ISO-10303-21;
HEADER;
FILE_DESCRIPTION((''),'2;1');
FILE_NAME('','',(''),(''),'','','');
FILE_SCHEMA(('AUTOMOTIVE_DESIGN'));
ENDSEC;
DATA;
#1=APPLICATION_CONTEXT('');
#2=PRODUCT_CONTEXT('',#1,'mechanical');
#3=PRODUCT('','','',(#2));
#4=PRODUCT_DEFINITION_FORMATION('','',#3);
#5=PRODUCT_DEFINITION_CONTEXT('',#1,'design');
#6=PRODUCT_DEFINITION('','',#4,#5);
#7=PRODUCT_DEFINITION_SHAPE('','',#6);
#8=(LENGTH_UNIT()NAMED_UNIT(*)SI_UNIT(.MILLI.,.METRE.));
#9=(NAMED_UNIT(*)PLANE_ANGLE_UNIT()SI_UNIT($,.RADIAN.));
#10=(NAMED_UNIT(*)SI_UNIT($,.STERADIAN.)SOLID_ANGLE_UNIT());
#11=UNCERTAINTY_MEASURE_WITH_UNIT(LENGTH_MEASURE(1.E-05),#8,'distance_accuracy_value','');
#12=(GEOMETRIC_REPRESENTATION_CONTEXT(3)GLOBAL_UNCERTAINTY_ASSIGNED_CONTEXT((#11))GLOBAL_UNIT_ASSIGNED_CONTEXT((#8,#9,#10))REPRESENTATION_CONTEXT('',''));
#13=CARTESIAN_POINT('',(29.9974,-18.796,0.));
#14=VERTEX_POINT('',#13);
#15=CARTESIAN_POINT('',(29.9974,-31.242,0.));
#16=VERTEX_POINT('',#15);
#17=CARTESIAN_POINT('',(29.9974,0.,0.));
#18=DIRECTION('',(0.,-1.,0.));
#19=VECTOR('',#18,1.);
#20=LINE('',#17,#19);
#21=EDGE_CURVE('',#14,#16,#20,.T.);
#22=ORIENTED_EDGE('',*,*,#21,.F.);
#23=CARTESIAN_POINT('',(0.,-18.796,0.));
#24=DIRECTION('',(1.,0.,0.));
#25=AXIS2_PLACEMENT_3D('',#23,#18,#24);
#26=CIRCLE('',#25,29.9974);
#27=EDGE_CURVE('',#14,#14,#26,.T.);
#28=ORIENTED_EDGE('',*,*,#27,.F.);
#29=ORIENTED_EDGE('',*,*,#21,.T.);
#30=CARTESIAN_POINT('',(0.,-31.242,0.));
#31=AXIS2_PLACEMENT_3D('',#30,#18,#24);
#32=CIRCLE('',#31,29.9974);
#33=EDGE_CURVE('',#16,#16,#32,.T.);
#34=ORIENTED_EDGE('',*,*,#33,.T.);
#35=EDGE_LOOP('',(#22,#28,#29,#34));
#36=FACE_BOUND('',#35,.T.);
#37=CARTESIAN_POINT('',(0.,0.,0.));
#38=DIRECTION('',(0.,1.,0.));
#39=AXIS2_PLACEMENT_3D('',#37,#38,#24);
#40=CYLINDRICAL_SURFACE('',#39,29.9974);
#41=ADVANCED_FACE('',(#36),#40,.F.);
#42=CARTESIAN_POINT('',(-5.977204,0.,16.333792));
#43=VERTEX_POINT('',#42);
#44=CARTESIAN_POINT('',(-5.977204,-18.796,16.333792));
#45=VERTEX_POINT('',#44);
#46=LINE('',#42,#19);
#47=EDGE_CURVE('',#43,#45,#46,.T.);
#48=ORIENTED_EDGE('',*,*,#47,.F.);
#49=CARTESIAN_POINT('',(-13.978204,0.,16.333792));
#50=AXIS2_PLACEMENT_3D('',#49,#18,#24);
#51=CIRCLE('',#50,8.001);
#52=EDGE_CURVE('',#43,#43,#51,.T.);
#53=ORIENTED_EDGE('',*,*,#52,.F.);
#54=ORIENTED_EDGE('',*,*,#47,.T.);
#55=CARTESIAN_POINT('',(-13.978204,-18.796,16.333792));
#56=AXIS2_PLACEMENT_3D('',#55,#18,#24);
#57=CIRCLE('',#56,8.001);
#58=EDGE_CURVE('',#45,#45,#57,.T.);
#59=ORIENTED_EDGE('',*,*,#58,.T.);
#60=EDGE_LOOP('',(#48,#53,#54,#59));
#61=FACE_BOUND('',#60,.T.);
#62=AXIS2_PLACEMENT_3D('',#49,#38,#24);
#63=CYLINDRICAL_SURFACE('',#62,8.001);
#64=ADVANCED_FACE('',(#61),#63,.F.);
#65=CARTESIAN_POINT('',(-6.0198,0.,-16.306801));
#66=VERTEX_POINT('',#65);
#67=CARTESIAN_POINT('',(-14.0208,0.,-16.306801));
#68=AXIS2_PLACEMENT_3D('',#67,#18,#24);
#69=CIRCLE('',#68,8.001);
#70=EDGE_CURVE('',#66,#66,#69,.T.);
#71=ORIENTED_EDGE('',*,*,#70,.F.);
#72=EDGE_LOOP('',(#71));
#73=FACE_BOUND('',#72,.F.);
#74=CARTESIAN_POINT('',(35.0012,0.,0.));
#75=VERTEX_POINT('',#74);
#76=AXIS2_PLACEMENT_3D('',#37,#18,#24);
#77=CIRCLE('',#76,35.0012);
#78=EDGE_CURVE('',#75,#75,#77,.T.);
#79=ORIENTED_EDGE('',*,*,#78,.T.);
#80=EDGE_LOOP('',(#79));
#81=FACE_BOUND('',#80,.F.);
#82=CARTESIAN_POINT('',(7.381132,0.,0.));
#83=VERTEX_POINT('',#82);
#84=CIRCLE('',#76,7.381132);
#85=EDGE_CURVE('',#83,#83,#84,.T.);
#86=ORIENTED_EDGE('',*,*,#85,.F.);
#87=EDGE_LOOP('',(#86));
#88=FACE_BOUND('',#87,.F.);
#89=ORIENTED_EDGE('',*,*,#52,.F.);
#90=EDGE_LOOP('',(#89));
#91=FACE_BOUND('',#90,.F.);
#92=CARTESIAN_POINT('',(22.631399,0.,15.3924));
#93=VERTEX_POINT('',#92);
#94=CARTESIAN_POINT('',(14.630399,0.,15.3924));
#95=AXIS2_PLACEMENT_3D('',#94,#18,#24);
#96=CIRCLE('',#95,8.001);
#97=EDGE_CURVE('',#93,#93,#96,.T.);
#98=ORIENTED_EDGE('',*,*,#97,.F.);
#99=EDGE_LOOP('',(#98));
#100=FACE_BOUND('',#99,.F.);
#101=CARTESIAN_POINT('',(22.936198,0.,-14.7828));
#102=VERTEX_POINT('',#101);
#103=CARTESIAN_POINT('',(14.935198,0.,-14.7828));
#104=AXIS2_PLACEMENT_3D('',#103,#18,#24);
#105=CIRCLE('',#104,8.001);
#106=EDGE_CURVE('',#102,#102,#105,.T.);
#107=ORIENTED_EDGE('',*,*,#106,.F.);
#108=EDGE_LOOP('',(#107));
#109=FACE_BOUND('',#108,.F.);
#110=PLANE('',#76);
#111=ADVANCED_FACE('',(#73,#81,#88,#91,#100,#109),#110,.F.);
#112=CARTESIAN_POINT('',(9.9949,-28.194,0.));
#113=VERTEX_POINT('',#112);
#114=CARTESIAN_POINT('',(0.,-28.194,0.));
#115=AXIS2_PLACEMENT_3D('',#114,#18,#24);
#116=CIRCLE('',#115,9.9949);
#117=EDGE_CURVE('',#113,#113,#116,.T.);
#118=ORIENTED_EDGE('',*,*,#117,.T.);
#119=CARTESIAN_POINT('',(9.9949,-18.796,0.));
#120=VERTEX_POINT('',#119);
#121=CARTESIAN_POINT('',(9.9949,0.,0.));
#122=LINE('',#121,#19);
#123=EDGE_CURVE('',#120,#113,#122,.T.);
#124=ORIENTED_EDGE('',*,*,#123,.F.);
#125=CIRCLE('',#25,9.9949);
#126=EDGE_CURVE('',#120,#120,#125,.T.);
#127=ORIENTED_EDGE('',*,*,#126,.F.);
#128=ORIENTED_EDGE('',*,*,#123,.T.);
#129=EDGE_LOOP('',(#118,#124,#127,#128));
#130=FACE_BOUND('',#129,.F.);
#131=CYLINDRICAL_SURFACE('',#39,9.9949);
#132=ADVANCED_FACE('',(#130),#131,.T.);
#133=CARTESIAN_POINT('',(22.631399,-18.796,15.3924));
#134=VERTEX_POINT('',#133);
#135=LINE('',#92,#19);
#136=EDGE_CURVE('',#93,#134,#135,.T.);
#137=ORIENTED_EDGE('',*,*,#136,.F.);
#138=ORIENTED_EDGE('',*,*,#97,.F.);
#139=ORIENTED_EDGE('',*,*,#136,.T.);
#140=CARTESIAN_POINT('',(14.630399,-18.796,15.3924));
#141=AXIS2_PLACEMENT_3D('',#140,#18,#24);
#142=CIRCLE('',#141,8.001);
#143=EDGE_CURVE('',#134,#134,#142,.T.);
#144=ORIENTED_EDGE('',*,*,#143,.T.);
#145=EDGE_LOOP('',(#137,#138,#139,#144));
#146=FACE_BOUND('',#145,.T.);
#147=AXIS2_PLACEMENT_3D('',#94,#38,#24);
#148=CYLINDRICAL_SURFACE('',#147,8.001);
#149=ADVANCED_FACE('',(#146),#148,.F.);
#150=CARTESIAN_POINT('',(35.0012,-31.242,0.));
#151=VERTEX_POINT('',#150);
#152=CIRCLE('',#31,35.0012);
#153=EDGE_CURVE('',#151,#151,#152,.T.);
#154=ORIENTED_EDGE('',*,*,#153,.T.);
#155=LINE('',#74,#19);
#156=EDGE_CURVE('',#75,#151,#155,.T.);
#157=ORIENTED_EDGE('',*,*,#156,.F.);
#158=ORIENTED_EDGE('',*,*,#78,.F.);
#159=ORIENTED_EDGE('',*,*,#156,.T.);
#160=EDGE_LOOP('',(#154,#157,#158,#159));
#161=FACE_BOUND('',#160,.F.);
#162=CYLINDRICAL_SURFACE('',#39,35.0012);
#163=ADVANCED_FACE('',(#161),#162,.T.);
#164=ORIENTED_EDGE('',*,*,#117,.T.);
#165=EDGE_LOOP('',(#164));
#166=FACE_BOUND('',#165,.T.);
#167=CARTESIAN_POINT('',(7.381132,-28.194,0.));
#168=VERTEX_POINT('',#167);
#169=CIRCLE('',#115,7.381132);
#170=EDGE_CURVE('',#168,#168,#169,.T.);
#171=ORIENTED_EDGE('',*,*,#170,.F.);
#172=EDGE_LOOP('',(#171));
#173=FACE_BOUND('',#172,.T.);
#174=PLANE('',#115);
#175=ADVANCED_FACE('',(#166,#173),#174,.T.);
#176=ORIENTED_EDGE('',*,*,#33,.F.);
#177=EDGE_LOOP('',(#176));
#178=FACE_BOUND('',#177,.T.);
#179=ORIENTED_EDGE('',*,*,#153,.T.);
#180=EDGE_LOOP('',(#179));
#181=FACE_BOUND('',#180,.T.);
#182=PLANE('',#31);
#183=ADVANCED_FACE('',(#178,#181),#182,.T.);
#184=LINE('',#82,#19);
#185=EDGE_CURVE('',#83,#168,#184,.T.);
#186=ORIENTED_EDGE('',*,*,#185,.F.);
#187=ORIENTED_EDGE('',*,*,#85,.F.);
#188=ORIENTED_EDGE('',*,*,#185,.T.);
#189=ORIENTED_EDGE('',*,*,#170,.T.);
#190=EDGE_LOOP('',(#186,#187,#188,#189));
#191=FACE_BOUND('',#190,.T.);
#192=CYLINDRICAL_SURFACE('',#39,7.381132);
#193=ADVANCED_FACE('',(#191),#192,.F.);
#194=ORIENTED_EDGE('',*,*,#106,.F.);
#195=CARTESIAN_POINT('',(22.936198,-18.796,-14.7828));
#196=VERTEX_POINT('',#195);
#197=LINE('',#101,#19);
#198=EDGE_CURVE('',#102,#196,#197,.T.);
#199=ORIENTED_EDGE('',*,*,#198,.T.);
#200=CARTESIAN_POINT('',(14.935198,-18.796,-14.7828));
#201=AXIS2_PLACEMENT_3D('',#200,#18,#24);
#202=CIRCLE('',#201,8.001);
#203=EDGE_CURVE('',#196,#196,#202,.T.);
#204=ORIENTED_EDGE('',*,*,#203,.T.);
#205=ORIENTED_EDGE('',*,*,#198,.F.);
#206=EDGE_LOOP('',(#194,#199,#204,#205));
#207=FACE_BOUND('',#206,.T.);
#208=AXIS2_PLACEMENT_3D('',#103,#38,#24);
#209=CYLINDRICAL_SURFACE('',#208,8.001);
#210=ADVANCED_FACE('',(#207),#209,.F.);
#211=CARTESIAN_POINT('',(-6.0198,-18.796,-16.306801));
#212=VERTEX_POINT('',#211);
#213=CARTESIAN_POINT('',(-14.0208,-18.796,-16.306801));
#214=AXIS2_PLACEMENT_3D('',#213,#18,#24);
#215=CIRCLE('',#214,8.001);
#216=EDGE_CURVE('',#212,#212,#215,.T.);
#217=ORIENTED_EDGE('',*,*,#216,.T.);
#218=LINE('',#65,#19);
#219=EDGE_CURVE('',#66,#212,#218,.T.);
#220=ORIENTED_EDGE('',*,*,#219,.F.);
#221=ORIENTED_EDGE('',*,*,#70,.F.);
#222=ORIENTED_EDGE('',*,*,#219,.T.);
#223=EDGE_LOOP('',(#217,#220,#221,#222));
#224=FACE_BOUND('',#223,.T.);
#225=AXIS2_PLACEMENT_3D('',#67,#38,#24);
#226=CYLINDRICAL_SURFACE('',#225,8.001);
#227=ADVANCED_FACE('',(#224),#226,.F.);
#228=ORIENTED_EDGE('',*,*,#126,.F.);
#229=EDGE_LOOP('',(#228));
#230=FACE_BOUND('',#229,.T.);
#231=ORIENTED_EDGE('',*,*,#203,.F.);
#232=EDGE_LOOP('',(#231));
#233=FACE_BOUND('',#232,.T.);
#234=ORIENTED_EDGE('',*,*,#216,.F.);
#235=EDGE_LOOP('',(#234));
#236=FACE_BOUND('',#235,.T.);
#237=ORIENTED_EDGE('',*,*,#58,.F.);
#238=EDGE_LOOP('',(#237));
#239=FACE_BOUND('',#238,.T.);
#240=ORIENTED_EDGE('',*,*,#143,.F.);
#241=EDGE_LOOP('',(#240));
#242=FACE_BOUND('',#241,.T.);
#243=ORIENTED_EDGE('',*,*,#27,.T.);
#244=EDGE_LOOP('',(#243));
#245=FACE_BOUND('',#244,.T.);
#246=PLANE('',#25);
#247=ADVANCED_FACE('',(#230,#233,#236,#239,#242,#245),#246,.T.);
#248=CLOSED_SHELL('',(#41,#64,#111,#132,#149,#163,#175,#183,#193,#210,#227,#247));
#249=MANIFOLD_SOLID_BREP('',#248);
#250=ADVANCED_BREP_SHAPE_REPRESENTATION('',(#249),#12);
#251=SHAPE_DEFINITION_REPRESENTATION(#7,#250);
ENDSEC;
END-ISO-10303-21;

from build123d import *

# Parameters (mm, degrees)
F0_R     = 35.0012
F0_R_2   = 29.9974
F1_DEPTH = 31.242
F0_R_3   = 8.001
F0_R_4   = 9.9949
F2_DEPTH = 18.796
F0_R_5   = 7.381132
F3_DEPTH = 28.194


with BuildPart() as f1:
    # F0 (on Front) → F1 (new body)
    with BuildSketch(Plane.XZ):
        Circle(F0_R)
        Circle(F0_R_2, mode=Mode.SUBTRACT)
    extrude(amount=F1_DEPTH)

    # F0 (on Front) → F2 (join)
    with BuildSketch(Plane.XZ):
        Circle(F0_R_2)
        with Locations((-14.0208, -16.306801)):
            Circle(F0_R_3, mode=Mode.SUBTRACT)
        with Locations((14.935198, -14.7828)):
            Circle(F0_R_3, mode=Mode.SUBTRACT)
        with Locations((-13.978204, 16.333792)):
            Circle(F0_R_3, mode=Mode.SUBTRACT)
        Circle(F0_R_4, mode=Mode.SUBTRACT)
        with Locations((14.630399, 15.3924)):
            Circle(F0_R_3, mode=Mode.SUBTRACT)
    extrude(amount=F2_DEPTH)

    # F0 (on Front) → F3 (join)
    with BuildSketch(Plane.XZ):
        Circle(F0_R_4)
        Circle(F0_R_5, mode=Mode.SUBTRACT)
    extrude(amount=F3_DEPTH)


solid = f1.part
